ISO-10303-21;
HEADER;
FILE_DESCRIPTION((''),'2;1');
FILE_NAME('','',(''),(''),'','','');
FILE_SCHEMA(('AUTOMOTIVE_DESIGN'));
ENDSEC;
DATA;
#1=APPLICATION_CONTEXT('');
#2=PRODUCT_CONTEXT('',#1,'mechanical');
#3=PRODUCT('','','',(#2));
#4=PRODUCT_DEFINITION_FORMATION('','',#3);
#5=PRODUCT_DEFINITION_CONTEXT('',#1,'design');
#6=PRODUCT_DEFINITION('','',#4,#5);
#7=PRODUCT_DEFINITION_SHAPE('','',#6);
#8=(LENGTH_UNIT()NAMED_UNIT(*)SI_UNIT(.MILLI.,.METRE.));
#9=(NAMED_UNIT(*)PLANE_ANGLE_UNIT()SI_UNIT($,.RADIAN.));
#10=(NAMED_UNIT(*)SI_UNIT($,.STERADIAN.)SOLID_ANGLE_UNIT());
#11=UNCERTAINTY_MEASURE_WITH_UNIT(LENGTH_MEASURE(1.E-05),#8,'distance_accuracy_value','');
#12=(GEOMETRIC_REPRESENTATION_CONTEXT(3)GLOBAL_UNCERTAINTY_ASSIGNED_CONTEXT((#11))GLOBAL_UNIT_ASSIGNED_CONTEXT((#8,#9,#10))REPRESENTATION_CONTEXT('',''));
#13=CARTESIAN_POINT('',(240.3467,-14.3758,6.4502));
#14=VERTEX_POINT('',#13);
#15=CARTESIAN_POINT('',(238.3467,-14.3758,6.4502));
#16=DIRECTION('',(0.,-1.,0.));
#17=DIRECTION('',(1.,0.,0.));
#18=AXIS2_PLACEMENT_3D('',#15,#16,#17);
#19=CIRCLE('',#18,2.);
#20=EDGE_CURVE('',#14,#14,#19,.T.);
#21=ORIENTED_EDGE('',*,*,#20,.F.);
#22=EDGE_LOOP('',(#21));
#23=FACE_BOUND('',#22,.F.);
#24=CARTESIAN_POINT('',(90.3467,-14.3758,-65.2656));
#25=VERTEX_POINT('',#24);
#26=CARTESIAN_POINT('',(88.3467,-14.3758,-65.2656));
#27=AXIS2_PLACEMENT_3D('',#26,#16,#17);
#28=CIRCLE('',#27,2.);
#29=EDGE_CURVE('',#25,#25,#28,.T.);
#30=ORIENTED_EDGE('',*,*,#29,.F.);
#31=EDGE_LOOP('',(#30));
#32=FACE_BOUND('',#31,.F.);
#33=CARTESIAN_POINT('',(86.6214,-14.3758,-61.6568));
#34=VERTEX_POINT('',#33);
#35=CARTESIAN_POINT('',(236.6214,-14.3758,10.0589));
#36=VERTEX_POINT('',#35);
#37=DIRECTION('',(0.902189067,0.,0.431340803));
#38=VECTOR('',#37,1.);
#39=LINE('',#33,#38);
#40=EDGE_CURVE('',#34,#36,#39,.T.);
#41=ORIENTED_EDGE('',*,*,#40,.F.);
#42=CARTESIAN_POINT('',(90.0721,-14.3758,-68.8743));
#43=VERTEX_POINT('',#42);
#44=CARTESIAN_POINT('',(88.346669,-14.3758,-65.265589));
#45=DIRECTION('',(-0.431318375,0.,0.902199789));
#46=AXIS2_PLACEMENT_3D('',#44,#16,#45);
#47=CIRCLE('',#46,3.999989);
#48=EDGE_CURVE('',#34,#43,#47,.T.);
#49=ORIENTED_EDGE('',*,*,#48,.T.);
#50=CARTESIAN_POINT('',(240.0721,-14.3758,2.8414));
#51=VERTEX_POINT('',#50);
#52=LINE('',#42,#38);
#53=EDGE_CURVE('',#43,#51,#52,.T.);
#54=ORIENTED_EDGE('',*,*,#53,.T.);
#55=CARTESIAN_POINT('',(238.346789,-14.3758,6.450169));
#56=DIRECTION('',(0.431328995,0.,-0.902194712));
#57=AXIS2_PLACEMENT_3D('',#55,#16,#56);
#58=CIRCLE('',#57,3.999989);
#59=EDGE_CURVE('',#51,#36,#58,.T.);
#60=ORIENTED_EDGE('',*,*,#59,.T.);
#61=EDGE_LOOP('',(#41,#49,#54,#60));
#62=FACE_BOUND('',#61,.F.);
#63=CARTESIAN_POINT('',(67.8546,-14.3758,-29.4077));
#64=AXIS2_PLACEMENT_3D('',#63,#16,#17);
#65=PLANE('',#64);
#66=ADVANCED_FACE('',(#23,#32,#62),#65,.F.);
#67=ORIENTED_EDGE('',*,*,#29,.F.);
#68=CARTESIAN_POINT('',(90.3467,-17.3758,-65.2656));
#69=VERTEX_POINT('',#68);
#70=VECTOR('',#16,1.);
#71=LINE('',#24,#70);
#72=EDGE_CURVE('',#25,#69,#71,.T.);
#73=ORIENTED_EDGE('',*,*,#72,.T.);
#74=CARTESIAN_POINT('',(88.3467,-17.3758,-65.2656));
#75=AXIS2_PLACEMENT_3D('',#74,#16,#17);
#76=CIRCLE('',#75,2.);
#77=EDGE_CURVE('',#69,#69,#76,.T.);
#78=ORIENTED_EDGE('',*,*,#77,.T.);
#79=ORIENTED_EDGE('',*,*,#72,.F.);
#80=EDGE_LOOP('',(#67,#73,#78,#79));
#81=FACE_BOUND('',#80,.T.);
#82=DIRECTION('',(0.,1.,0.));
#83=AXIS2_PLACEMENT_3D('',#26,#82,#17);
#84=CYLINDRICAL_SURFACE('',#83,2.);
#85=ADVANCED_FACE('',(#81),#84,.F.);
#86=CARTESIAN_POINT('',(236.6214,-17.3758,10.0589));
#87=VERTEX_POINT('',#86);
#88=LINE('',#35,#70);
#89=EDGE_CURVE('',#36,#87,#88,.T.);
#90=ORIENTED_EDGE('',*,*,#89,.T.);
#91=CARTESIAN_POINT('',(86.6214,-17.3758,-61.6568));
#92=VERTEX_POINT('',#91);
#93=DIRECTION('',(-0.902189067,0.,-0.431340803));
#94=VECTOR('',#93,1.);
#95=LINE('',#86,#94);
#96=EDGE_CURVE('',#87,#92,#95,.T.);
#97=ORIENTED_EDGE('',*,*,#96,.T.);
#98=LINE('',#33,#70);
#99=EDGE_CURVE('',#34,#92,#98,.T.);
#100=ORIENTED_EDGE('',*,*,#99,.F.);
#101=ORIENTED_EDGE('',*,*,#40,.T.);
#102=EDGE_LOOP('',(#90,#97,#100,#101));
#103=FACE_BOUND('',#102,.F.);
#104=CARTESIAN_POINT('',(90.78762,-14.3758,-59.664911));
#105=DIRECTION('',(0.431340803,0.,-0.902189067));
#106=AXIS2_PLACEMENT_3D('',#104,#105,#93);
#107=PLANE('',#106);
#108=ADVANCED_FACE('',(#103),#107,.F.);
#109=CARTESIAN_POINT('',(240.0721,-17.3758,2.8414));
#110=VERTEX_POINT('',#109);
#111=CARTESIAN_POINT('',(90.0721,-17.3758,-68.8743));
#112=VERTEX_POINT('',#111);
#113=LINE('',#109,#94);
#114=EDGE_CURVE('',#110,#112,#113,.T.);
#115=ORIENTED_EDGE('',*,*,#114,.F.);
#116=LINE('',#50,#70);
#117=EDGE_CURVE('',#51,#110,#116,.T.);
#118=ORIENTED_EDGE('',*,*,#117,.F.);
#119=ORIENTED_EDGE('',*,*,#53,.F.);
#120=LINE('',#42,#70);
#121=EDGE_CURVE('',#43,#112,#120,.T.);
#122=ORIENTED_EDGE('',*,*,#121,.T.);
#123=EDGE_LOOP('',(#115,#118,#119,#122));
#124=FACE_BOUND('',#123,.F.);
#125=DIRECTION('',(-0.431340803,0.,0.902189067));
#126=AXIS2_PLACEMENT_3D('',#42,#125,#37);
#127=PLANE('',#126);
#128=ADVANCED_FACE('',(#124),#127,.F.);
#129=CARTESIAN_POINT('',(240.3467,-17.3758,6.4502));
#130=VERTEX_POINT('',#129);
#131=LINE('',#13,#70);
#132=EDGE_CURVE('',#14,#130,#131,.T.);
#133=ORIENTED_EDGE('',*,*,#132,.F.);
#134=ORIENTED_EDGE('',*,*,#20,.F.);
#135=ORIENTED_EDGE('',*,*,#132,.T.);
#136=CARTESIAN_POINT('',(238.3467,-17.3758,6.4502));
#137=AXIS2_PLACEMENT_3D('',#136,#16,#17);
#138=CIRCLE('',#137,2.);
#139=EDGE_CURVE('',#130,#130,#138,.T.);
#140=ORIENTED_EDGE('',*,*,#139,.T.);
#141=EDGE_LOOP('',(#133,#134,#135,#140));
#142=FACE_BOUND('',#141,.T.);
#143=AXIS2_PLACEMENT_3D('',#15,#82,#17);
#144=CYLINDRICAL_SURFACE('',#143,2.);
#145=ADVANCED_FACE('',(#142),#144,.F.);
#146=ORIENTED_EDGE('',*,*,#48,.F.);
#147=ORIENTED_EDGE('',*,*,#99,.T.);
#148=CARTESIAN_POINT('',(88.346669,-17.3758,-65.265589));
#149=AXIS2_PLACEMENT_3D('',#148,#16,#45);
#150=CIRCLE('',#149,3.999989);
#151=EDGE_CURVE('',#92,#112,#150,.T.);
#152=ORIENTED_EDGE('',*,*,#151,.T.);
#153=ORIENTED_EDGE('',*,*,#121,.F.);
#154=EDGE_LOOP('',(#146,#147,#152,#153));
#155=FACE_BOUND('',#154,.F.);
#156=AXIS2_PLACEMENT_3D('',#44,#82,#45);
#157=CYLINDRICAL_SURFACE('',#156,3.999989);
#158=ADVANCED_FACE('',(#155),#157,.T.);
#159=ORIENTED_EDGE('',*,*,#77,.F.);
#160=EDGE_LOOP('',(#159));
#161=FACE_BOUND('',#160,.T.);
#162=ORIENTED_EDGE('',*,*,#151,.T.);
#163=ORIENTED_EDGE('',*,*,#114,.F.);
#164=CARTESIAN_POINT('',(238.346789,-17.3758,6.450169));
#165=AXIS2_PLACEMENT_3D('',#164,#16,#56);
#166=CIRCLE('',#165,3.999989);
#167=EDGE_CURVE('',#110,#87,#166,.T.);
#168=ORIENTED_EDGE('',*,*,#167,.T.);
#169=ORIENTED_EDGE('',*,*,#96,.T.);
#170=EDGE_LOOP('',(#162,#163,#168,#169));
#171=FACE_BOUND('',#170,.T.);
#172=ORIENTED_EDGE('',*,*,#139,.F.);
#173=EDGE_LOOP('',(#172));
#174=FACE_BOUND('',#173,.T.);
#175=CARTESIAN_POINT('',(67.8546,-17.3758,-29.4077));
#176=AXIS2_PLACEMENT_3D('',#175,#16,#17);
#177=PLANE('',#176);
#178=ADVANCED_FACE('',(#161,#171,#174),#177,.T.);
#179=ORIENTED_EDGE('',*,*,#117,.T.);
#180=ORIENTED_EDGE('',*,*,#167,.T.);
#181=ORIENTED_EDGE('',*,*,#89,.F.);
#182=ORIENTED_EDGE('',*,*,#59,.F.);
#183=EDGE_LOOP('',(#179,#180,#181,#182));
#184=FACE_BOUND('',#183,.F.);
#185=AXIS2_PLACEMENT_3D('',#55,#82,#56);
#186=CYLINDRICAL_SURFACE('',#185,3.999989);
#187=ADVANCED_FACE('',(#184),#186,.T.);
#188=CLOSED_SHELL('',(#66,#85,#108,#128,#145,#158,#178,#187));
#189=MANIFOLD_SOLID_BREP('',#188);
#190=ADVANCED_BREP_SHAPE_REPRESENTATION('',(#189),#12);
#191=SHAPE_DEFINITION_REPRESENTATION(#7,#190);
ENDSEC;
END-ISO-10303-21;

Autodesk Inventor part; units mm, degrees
ref_plane "YZ Plane" through (0, 0, 0) normal (1, 0, 0) x (0, 1, 0)
ref_plane "XZ Plane" through (0, 0, 0) normal (0, 1, 0) x (-1, 0, 0)
ref_plane "XY Plane" through (0, 0, 0) normal (0, 0, 1) x (1, 0, 0)
ref_plane "Work Plane1" through (67.8546, -14.3758, -29.4077) normal (0, -1, 0) x (1, 0, 0)
sketch "Sketch1" plane through (67.8546, -14.3758, -29.4077) normal (0, -1, 0) x (1, 0, 0)
  line L0 (21.35, -30) -> (6.35, -30) projected
  arc A0 (26.35, -35) -> (21.35, -30) centre (21.35, -35) ccw projected
  line L1 (26.35, -50) -> (26.35, -35) projected
  circle A1 centre (20.4921, -35.8579) radius 2 projected
  line L2 (156.5537, 50) -> (166.162, 33.3579) projected
  arc A2 (166.162, 33.3579) -> (174.8223, 33.3579) centre (170.4921, 35.8579) ccw projected
  line L3 (174.8223, 33.3579) -> (184.4306, 50) projected
  circle A3 centre (170.4921, 35.8579) radius 2 projected
  line L4 (20.4921, -35.8579) -> (170.4921, 35.8579) construction
  line L5 (22.2175, -39.4666) -> (172.2175, 32.2491)
  line L6 (168.7668, 39.4666) -> (18.7668, -32.2491)
  arc A4 (18.7668, -32.2491) -> (22.2175, -39.4666) centre (20.4921, -35.8579) ccw
  arc A5 (172.2175, 32.2491) -> (168.7668, 39.4666) centre (170.4921, 35.8579) ccw
  point P0 (-67.8546, 29.4077)
  point P1 (95.4921, 0)
  dimension "d0" = 8
extrude "Extrusion1" add sketch "Sketch1" along normal blind 3
properties part number "truss frame slanting"
